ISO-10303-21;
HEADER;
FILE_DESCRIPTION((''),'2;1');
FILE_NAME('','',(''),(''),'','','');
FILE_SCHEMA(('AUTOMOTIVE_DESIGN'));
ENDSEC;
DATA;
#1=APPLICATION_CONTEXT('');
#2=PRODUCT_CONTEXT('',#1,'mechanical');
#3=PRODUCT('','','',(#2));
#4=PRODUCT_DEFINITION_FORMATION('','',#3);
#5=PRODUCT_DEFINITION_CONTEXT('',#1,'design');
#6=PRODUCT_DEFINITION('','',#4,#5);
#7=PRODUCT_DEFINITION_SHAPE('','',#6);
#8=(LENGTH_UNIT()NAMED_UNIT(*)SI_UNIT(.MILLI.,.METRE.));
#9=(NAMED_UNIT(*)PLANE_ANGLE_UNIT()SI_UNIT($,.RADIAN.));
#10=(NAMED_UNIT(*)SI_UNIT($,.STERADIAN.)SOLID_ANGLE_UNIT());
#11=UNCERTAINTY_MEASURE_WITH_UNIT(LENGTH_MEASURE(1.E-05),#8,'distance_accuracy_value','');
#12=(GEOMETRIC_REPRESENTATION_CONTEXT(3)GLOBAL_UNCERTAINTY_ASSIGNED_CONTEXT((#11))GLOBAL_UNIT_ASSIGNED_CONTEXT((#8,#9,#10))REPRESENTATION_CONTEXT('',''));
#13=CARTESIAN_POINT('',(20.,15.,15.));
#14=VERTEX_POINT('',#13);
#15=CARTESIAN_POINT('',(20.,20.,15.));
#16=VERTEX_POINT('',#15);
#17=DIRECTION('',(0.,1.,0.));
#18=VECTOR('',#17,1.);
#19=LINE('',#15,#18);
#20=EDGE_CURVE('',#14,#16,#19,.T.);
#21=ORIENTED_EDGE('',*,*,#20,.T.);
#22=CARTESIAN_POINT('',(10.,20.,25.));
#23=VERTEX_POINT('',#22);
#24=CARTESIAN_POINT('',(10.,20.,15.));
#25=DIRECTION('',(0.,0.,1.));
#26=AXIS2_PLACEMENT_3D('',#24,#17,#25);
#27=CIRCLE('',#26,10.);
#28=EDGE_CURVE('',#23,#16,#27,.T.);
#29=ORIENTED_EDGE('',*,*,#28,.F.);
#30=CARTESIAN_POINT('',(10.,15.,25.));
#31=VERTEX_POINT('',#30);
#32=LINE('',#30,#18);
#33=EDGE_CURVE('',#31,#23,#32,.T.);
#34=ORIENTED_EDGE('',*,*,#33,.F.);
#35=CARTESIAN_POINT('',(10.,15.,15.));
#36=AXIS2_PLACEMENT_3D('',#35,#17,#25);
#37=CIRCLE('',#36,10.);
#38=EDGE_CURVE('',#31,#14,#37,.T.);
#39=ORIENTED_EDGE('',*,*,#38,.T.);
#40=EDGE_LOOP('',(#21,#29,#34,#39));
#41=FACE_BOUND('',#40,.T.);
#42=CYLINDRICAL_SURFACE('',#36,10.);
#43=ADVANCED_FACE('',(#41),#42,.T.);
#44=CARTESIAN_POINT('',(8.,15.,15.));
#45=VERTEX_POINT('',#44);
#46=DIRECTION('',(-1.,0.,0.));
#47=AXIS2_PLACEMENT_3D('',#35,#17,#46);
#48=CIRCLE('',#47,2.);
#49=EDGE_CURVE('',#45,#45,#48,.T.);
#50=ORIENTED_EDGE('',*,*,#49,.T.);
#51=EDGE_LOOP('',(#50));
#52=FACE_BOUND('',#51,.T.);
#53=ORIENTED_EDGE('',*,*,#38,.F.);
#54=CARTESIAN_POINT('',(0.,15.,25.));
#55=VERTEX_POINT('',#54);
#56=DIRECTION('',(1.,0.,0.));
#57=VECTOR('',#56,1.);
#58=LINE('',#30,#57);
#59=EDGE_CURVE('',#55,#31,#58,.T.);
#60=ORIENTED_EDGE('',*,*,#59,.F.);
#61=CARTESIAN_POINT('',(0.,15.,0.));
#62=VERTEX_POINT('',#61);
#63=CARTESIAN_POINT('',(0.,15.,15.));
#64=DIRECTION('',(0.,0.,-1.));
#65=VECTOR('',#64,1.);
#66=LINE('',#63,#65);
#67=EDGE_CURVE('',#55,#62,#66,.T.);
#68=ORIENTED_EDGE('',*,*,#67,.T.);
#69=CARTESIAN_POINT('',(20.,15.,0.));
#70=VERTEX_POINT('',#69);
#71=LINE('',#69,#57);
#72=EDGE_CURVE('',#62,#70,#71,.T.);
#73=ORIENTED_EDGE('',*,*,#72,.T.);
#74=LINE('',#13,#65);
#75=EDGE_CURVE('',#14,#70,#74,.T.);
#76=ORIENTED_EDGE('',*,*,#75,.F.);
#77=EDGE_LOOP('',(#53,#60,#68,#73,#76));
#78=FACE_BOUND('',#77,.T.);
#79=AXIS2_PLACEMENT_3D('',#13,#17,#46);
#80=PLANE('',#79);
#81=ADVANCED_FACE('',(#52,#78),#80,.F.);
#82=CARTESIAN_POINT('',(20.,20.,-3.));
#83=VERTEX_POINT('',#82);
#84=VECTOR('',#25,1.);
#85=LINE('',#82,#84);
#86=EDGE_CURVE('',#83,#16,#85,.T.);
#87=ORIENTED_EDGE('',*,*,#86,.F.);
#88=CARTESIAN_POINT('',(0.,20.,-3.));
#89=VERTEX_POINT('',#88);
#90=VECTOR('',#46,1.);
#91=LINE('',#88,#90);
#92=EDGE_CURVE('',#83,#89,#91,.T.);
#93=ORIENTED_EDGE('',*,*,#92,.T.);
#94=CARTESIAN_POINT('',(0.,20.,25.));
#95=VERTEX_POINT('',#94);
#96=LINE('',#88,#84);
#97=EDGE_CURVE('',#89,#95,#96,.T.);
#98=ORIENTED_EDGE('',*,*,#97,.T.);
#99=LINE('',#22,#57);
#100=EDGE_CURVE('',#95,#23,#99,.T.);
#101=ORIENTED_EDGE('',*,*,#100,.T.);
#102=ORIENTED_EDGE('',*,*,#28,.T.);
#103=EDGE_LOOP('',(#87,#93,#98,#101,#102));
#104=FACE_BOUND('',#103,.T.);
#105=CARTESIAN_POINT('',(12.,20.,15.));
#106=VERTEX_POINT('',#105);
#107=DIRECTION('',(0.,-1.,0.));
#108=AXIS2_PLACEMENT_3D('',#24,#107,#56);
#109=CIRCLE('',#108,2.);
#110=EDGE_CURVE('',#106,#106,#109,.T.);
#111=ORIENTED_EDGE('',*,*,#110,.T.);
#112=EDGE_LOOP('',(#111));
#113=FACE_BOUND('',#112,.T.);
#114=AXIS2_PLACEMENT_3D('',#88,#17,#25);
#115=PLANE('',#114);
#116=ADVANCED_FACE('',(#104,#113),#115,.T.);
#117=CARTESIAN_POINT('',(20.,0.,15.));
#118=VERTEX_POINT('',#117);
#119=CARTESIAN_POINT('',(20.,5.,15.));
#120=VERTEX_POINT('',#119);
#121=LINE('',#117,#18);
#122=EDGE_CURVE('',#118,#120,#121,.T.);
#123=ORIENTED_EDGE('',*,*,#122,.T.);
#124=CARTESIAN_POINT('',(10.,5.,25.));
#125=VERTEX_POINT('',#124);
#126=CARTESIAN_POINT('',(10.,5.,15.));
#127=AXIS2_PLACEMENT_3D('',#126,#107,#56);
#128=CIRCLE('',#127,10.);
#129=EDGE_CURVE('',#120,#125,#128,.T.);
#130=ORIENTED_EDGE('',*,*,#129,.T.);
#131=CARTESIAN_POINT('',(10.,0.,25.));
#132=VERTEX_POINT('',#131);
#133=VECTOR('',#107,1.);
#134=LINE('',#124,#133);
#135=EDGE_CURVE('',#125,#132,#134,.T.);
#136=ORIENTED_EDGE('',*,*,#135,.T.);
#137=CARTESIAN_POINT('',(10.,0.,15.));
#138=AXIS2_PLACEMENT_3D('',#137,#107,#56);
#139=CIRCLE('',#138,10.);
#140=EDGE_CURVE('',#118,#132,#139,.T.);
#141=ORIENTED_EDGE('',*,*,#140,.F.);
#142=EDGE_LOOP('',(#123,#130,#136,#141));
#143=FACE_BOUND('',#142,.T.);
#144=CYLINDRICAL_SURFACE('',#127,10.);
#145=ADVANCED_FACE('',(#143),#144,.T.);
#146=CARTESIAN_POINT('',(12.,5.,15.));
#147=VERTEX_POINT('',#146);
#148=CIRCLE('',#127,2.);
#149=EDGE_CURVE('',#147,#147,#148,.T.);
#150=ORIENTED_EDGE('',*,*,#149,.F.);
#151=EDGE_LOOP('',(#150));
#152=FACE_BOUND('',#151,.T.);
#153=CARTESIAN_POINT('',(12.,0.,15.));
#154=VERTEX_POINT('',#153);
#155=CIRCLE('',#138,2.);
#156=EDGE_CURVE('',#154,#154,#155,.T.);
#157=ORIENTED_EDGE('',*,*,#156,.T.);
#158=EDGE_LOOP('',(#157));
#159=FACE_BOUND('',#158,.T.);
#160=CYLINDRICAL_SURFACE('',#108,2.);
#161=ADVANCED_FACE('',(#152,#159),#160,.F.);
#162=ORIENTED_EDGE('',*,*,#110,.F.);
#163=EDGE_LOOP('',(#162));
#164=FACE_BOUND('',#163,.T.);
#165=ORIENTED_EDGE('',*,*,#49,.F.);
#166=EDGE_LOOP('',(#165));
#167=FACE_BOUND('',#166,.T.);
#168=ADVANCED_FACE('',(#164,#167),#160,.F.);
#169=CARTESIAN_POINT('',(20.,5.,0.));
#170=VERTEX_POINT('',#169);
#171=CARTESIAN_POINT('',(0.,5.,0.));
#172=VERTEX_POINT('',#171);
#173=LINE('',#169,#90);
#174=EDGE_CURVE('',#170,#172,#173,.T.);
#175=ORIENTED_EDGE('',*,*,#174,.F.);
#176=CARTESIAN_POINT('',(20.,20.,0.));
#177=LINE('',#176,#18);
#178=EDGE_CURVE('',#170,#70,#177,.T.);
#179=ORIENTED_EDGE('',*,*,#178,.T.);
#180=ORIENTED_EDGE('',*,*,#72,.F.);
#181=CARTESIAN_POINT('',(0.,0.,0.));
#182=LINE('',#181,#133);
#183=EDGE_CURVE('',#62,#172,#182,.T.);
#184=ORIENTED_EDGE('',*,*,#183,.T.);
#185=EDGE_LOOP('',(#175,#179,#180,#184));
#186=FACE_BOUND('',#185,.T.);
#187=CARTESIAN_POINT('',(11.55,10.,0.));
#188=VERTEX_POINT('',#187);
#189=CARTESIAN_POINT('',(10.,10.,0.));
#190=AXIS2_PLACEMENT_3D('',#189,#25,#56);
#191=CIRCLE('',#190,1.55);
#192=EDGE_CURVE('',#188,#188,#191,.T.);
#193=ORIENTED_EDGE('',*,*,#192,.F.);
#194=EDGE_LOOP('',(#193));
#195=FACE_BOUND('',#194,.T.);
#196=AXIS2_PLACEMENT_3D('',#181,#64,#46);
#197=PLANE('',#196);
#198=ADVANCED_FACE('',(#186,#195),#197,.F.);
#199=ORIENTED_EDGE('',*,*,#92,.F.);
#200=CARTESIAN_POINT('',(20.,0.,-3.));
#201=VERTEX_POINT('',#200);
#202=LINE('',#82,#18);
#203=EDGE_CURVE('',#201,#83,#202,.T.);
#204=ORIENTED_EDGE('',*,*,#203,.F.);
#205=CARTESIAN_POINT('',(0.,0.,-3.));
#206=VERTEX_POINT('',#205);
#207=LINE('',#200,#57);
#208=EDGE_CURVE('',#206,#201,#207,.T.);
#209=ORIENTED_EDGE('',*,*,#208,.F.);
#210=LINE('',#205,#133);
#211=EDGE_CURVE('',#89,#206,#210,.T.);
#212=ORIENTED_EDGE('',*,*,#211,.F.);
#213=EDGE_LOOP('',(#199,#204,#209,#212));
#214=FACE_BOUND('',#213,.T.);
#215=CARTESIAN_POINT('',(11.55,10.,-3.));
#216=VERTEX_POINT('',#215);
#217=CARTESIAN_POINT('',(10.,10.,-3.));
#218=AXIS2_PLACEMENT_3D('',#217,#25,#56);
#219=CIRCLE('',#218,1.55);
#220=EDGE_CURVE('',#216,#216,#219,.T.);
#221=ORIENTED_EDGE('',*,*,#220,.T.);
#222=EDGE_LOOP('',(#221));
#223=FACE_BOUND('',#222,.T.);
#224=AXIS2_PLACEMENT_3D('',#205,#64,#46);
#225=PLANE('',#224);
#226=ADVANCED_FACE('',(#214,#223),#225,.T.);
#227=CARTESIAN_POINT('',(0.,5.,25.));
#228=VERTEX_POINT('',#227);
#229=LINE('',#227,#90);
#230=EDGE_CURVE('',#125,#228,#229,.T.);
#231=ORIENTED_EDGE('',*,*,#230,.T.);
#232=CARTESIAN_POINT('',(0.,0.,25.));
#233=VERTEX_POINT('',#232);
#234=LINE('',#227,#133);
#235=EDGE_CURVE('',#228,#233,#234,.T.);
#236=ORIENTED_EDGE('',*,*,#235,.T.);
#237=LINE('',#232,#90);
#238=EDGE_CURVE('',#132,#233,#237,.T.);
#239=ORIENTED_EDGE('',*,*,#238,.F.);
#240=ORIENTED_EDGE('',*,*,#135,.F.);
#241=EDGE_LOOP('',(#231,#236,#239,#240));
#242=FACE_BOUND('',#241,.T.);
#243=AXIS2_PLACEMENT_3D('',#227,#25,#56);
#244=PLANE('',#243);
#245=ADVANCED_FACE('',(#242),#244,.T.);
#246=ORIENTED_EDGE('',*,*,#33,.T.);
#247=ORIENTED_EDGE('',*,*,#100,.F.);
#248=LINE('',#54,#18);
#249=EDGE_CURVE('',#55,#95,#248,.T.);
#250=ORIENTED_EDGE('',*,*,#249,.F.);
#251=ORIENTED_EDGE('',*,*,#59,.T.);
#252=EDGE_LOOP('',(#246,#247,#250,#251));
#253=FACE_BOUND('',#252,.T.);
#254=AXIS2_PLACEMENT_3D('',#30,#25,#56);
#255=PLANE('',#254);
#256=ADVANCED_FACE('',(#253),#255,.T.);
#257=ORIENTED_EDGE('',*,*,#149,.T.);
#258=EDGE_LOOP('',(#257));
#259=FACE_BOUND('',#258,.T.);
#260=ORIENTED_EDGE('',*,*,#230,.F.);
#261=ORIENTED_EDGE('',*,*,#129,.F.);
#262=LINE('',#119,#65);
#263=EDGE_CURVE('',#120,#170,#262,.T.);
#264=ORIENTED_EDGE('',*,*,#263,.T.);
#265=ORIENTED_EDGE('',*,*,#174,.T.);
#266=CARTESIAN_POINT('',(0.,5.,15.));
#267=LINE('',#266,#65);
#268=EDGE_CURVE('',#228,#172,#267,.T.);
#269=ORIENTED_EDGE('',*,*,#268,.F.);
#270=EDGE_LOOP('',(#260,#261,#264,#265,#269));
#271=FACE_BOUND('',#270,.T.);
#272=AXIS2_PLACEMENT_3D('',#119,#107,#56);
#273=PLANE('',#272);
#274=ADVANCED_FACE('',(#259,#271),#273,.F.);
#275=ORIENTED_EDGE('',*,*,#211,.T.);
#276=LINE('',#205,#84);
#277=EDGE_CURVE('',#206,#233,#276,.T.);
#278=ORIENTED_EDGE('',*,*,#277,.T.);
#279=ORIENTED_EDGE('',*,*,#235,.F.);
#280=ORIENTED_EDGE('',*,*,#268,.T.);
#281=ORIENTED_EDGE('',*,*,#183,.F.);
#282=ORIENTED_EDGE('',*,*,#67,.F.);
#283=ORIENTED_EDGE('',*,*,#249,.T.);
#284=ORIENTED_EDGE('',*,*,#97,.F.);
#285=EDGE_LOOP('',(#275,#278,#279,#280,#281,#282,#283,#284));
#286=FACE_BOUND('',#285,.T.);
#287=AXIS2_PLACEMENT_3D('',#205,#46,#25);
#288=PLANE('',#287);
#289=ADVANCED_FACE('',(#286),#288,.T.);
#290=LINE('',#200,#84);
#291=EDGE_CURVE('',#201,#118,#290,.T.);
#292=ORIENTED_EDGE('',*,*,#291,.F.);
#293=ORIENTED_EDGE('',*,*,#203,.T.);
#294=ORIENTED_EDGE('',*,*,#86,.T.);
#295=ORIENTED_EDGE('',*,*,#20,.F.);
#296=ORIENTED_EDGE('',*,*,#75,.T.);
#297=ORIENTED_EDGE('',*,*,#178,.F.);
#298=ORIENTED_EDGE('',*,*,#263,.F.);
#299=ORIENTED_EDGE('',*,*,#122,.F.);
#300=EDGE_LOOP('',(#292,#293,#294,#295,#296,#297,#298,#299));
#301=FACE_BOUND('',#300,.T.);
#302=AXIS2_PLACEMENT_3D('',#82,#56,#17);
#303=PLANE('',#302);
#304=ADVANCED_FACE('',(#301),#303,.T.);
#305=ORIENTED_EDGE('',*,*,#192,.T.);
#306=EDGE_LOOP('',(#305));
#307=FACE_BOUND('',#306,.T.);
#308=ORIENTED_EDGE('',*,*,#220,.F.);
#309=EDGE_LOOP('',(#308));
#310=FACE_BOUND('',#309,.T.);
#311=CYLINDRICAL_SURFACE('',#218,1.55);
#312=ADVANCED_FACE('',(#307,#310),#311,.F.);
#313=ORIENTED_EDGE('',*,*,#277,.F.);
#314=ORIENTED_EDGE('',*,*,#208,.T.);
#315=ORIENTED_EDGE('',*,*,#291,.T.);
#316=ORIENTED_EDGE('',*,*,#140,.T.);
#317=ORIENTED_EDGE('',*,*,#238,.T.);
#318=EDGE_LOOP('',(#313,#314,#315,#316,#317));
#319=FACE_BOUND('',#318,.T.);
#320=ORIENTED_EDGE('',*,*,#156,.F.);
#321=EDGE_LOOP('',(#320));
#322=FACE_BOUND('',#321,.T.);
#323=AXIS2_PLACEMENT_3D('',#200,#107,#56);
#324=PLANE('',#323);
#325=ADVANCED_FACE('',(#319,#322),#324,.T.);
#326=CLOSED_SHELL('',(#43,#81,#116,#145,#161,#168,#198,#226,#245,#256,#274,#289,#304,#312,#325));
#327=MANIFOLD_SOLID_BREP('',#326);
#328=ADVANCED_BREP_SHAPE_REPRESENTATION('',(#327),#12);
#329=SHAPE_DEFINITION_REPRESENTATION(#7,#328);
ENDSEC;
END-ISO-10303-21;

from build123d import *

# Parameters (mm, degrees)
CROQUIS1_W              = 20
CROQUIS1_H              = 20
CROQUIS1_R              = 1.55
SALIENTE_EXTRUIR1_DEPTH = 3
CROQUIS2_W              = 20
CROQUIS2_H              = 5
SALIENTE_EXTRUIR3_DEPTH = 15
SALIENTE_EXTRUIR4_DEPTH = 5
SALIENTE_EXTRUIR5_DEPTH = 5
CROQUIS5_R              = 2
CORTAR_EXTRUIR1_DEPTH   = 21


with BuildPart() as part:
    # Croquis1 → Saliente-Extruir1 (new body)
    with BuildSketch(Plane.XY):
        with Locations((10, 10)):
            Rectangle(CROQUIS1_W, CROQUIS1_H)
        with Locations((10, 10)):
            Circle(CROQUIS1_R, mode=Mode.SUBTRACT)
    extrude(amount=-SALIENTE_EXTRUIR1_DEPTH)

    # Croquis2 → Saliente-Extruir3 (add)
    with BuildSketch(Plane.XY):
        with Locations((10, 2.5)):
            Rectangle(CROQUIS2_W, CROQUIS2_H)
        with Locations((10, 17.5)):
            Rectangle(CROQUIS2_W, CROQUIS2_H)
    extrude(amount=SALIENTE_EXTRUIR3_DEPTH)

    # Croquis3 → Saliente-Extruir4 (add)
    with BuildSketch(Plane(origin=(0, 20, 0), x_dir=(1, 0, 0), z_dir=(0, 1, 0))):
        with BuildLine():
            Line((20, -15), (0, -15))
            Line((0, -15), (0, -25))
            Line((0, -25), (10, -25))
            ThreePointArc((10, -25), (17.071067812, -22.071067812), (20, -15))
        make_face()
    extrude(amount=-SALIENTE_EXTRUIR4_DEPTH)

    # Croquis4 → Saliente-Extruir5 (add)
    with BuildSketch(Plane.XZ):
        with BuildLine():
            Line((0, 15), (20, 15))
            ThreePointArc((20, 15), (17.071067812, 22.071067812), (10, 25))
            Line((10, 25), (0, 25))
            Line((0, 25), (0, 15))
        make_face()
    extrude(amount=-SALIENTE_EXTRUIR5_DEPTH)

    # Croquis5 → Cortar-Extruir1 (cut, through all)
    with BuildSketch(Plane.XZ):
        with Locations((10, 15)):
            Circle(CROQUIS5_R)
    extrude(amount=-CORTAR_EXTRUIR1_DEPTH, mode=Mode.SUBTRACT)


solid = part.part
